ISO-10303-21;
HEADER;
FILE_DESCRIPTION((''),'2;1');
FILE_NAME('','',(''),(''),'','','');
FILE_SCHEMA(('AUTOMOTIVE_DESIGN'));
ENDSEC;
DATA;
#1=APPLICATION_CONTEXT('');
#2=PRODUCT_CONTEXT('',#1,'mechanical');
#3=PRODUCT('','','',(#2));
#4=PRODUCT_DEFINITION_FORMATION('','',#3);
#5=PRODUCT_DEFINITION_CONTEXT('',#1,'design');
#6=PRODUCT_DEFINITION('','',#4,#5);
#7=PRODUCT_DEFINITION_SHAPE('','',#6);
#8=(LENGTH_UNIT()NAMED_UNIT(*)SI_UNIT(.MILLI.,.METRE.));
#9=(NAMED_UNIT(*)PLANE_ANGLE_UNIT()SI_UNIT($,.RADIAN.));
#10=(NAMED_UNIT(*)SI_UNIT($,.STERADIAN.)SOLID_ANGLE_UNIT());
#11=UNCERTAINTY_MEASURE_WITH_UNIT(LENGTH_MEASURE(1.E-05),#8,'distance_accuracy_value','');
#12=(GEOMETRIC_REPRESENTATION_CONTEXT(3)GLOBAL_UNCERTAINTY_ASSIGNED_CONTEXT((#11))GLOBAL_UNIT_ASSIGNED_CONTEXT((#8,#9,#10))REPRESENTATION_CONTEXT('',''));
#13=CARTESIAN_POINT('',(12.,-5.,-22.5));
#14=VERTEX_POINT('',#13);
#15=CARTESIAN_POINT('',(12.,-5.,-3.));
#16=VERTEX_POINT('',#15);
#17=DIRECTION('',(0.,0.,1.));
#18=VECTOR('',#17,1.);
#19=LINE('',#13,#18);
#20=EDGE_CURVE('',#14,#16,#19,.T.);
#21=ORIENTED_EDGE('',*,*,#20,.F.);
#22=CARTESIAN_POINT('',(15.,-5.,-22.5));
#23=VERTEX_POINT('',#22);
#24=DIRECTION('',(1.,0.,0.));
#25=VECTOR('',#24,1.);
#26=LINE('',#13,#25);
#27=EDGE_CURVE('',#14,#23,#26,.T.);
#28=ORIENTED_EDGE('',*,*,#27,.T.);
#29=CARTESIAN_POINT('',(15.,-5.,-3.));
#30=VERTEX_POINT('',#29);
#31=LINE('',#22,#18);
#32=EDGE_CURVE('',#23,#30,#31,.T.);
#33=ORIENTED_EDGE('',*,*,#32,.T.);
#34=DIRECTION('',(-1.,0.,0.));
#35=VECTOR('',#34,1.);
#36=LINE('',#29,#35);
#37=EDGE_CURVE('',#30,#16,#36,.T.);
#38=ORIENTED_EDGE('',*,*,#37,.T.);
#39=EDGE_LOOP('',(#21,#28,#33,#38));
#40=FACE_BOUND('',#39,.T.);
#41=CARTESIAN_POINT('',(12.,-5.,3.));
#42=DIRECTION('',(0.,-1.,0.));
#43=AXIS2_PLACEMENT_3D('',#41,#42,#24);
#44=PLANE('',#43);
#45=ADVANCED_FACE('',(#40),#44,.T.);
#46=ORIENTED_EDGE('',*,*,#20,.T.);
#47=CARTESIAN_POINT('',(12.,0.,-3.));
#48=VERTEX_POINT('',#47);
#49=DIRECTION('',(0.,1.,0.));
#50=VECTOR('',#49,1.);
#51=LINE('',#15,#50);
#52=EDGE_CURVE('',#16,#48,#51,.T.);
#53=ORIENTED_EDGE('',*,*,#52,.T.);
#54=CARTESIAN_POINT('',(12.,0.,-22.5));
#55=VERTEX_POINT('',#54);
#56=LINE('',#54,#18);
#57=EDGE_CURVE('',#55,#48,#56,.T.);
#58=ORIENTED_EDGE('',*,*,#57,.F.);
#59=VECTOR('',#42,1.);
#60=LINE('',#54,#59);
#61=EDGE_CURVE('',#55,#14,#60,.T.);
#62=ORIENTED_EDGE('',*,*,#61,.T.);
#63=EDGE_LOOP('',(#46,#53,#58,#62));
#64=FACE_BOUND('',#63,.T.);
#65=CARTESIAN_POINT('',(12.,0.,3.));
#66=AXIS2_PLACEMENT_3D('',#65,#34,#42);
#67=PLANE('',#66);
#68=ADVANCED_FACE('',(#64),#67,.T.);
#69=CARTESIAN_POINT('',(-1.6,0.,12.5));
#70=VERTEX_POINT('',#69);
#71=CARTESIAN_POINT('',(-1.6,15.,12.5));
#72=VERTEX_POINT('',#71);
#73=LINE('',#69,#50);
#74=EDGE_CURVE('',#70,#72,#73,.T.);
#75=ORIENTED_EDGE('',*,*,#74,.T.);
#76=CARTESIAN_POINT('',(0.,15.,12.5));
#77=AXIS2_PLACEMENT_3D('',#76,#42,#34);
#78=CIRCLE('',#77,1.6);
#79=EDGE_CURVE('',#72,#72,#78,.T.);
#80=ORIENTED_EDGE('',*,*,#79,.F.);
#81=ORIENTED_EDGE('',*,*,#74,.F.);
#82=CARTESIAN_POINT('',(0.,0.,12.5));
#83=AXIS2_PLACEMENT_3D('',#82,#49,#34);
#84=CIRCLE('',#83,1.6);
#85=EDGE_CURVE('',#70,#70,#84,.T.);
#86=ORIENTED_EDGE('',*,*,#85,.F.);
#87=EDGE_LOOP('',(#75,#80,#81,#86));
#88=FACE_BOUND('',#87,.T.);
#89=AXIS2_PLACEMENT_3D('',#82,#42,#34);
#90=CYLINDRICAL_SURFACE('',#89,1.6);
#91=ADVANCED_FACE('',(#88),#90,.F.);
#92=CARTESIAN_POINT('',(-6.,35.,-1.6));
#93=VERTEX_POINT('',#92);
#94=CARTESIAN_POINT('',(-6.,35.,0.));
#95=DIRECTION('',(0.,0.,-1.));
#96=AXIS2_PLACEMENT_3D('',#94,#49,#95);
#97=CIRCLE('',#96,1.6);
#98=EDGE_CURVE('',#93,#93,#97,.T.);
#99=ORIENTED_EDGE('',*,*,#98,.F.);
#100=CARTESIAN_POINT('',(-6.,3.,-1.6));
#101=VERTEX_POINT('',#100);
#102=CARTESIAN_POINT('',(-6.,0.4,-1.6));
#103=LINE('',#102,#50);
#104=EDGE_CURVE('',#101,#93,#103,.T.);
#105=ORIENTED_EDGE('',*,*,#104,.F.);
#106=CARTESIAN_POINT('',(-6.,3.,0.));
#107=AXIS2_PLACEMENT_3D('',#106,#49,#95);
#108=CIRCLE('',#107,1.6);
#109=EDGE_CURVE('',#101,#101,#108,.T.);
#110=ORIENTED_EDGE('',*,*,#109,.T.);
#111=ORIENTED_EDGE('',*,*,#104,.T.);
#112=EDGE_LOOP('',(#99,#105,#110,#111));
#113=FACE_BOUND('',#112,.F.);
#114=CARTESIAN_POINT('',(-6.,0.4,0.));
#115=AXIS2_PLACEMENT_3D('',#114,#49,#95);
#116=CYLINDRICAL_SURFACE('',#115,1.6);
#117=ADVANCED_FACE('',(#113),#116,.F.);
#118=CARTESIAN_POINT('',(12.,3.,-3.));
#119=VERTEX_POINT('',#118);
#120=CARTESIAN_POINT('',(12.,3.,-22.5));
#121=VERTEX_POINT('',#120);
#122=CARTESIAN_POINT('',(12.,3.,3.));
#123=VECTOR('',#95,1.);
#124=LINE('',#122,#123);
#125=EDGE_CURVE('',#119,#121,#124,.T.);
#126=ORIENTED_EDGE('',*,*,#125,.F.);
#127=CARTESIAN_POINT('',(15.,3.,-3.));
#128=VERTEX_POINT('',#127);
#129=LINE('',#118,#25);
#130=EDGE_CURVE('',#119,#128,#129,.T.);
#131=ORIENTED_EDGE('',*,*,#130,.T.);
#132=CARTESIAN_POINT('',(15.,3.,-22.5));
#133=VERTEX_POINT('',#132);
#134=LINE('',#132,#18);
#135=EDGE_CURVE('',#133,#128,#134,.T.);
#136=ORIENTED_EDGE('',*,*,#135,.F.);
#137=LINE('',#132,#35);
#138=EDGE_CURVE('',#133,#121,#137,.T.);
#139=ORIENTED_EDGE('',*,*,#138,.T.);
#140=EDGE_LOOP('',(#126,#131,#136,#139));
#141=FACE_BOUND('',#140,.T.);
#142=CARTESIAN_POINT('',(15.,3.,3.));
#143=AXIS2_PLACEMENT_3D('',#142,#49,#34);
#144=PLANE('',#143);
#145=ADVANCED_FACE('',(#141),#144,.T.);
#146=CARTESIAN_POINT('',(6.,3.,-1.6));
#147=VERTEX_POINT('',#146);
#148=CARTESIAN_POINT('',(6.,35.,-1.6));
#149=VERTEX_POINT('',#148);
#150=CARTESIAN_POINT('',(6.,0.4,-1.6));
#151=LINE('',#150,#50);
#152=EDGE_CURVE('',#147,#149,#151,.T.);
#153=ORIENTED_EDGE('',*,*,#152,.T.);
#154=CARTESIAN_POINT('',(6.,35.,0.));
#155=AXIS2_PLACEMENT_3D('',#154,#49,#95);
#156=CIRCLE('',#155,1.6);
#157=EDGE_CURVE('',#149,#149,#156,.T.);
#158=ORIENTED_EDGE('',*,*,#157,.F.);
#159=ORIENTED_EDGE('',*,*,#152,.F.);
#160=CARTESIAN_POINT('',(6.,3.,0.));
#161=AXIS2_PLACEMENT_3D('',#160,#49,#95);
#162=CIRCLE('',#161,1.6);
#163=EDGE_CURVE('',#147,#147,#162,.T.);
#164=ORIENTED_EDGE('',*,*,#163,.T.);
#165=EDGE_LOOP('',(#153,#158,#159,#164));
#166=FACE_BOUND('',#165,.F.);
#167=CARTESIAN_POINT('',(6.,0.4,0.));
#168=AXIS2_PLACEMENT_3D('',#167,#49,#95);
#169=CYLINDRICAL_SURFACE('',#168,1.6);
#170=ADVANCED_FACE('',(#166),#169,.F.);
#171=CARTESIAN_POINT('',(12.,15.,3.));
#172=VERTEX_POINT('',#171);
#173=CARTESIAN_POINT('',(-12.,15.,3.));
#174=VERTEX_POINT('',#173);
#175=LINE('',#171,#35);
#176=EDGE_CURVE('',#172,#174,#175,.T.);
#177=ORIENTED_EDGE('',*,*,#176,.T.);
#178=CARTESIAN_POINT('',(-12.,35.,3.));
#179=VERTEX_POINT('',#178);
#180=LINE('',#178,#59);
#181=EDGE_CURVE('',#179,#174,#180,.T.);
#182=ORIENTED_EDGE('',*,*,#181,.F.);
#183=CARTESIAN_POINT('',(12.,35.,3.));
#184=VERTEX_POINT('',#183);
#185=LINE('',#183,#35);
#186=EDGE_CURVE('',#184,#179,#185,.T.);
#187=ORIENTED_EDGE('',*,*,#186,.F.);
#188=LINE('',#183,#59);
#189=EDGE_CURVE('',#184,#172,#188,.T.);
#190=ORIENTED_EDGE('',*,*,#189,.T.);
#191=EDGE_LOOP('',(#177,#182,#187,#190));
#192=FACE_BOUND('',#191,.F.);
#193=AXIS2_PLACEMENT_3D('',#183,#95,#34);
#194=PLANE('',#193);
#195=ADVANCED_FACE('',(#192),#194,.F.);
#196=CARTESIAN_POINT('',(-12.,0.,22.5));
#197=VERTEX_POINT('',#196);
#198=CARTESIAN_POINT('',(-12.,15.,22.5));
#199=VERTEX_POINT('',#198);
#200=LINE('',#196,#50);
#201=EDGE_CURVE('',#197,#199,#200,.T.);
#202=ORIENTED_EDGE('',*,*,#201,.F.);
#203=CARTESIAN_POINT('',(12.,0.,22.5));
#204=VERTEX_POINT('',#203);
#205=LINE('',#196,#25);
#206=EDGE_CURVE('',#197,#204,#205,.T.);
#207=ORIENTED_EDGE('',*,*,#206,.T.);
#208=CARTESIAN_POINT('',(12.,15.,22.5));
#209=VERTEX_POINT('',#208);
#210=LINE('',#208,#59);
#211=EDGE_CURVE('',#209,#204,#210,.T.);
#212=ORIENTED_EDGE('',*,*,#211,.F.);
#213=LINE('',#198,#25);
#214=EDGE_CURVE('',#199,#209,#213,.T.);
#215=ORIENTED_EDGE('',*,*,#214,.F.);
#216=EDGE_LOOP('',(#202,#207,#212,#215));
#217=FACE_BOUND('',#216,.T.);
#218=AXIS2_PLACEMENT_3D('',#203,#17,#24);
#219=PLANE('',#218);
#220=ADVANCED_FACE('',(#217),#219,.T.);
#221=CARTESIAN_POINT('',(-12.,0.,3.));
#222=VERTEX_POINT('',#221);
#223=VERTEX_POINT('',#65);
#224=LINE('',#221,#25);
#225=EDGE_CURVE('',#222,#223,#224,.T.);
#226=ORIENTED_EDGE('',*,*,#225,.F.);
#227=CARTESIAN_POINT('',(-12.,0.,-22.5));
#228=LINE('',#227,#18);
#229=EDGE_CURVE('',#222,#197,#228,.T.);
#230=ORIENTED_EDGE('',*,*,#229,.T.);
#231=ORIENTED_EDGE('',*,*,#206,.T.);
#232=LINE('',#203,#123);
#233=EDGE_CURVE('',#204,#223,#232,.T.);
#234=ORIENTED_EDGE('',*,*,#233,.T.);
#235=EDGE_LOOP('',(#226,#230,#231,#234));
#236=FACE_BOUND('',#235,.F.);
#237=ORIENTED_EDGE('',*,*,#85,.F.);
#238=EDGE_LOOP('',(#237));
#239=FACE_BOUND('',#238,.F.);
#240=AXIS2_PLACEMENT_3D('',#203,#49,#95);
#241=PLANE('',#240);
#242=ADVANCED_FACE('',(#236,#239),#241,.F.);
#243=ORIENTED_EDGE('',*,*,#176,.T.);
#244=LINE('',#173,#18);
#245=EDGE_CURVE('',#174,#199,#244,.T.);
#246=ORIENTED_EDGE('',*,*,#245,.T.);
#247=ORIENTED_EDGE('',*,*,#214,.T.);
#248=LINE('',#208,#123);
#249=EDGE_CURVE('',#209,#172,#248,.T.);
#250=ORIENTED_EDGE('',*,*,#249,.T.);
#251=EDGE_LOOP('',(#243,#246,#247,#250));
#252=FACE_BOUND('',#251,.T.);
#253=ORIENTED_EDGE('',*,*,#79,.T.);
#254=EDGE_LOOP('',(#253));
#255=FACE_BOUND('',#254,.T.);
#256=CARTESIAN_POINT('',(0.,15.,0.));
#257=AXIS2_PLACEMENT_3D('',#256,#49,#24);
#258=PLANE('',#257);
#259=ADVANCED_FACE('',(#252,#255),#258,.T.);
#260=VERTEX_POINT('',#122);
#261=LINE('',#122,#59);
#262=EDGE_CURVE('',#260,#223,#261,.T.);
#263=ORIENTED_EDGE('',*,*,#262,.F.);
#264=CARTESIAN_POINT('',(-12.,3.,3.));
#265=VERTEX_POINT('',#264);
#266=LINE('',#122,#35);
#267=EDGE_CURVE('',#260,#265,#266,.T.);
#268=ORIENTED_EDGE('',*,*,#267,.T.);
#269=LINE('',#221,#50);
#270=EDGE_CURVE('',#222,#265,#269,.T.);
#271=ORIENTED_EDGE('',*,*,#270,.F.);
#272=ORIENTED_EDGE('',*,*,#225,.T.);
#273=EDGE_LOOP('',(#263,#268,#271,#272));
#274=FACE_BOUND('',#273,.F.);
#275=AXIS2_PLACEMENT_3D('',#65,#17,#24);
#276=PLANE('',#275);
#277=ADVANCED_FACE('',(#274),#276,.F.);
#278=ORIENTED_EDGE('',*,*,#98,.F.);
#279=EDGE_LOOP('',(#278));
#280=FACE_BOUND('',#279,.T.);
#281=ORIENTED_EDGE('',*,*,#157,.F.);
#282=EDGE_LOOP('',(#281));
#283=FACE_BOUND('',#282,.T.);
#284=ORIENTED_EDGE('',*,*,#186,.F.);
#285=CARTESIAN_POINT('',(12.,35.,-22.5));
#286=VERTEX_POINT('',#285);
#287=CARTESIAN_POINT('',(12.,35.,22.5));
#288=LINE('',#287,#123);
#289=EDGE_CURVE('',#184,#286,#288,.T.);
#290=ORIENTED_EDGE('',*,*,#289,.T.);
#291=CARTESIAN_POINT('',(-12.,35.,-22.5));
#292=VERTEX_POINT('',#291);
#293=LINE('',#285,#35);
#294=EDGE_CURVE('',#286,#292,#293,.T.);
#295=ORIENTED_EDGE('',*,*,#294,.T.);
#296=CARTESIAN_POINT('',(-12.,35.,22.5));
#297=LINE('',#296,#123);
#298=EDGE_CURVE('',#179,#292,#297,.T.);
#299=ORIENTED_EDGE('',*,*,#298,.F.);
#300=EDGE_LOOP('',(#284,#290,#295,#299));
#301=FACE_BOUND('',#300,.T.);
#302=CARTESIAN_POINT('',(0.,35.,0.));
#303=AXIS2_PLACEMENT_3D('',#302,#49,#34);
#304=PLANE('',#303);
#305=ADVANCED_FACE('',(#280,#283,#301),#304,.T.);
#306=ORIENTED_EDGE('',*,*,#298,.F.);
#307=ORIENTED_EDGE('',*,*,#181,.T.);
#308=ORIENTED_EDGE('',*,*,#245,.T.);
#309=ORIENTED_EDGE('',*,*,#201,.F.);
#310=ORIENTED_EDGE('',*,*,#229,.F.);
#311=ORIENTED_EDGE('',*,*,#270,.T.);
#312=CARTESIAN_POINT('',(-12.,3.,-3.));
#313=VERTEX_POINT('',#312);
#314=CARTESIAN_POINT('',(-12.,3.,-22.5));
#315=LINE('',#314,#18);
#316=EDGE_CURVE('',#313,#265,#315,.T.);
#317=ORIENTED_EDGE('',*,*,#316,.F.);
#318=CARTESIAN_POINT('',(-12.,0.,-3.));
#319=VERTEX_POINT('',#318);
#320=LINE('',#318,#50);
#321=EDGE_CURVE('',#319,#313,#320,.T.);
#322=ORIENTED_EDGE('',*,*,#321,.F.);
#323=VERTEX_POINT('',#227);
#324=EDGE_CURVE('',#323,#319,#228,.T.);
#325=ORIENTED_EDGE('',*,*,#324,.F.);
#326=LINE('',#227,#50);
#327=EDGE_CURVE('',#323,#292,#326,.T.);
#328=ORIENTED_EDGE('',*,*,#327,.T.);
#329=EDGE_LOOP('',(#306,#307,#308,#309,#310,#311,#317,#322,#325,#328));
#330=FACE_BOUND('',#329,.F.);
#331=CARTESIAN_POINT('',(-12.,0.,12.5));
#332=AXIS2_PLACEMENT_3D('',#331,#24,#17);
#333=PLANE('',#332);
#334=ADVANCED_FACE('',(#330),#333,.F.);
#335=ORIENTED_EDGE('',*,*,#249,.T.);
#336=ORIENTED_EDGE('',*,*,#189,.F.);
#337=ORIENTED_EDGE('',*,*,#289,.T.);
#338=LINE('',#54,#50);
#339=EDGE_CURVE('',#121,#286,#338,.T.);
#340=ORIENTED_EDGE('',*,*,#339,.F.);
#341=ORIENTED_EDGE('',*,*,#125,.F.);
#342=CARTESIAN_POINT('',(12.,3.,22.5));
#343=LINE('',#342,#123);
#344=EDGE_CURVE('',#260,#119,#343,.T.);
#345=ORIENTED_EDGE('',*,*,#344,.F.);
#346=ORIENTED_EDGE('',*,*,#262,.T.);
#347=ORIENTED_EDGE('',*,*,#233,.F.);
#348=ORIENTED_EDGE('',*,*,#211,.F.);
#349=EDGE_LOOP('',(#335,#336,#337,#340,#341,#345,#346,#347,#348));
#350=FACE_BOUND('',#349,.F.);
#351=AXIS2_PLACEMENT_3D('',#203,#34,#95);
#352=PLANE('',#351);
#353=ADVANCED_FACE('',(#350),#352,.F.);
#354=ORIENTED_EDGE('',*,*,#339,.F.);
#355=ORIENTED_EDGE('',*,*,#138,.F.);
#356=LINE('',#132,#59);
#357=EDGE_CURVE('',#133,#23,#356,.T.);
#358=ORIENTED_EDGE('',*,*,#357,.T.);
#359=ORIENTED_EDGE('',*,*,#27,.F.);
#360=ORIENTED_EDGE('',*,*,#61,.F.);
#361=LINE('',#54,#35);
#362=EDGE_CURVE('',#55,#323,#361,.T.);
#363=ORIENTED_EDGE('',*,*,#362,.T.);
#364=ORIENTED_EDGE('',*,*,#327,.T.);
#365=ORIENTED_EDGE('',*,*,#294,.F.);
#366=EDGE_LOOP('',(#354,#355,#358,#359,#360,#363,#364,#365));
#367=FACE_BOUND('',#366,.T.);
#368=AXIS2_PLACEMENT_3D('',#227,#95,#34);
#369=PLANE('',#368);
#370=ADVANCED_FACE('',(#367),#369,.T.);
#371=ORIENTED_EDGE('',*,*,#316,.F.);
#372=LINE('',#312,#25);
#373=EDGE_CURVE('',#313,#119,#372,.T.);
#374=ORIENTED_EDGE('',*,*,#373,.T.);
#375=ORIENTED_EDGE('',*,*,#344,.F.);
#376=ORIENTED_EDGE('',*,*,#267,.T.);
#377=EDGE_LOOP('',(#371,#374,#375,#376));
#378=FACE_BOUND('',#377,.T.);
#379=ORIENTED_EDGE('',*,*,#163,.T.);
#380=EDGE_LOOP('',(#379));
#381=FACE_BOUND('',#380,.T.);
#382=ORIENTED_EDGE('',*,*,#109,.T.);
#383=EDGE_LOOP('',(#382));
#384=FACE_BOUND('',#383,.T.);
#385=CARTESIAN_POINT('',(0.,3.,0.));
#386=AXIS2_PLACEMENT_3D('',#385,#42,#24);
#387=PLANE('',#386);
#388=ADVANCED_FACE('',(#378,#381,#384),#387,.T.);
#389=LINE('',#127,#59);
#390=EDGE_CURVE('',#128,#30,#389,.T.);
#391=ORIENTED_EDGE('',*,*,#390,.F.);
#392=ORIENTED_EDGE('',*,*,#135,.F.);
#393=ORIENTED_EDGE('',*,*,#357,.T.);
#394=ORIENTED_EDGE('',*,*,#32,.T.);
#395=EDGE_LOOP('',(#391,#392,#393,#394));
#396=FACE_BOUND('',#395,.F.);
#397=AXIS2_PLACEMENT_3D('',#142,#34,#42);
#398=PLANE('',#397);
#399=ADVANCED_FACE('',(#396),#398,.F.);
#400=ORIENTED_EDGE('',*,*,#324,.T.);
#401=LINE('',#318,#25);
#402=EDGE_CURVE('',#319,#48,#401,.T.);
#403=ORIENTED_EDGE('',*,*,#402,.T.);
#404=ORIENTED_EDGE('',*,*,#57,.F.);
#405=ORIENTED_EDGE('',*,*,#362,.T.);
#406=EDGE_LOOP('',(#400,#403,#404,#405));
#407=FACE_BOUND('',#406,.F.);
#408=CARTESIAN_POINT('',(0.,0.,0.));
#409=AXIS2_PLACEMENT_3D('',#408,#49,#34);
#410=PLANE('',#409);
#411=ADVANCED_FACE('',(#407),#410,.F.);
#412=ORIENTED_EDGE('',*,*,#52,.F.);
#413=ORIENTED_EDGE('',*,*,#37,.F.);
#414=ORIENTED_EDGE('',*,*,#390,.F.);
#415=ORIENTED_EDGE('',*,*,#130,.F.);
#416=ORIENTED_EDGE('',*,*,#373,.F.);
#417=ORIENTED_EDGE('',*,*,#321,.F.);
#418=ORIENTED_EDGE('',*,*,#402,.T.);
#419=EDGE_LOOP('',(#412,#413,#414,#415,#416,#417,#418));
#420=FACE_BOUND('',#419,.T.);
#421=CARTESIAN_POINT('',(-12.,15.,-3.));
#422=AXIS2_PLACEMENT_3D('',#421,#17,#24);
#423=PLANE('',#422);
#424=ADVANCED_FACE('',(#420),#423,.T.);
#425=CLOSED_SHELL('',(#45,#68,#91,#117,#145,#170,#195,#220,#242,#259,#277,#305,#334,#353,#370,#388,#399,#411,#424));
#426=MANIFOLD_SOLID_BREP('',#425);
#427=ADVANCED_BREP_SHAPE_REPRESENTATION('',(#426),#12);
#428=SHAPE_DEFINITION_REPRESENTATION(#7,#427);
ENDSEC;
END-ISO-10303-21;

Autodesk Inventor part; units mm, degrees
ref_plane "YZ Plane" through (0, 0, 0) normal (1, 0, 0) x (0, 1, 0)
ref_plane "XZ Plane" through (0, 0, 0) normal (0, 1, 0) x (-1, 0, 0)
ref_plane "XY Plane" through (0, 0, 0) normal (0, 0, 1) x (1, 0, 0)
sketch "Sketch2" plane through (0, 0, 0) normal (0, 1, 0) x (-1, 0, 0)
  line L0 (12, 22.5) -> (-12, 22.5)
  line L1 (-12, 22.5) -> (-12, -22.5)
  line L2 (-12, -22.5) -> (12, -22.5)
  line L3 (12, -22.5) -> (12, 22.5)
  line L4 (12, 22.5) -> (12, 12.5)
  line L5 (12, 12.5) -> (0, 12.5)
  circle A0 centre (0, 12.5) radius 1.6
  line L6 (0, 12.5) -> (0, 0)
  line L7 (0, 0) -> (-6, 0)
  line L8 (-6, 0) -> (6, 0)
  circle A1 centre (-6, 0) radius 1.6
  circle A2 centre (6, 0) radius 1.6
  line L9 (-12, 22.5) -> (12, 22.5)
  line L10 (12, 22.5) -> (12, 0)
  line L11 (12, 0) -> (-12, 0)
  line L12 (-12, 0) -> (-12, 22.5)
  line L13 (-12, 22.5) -> (12, 22.5)
  line L14 (12, 22.5) -> (12, 2.2056)
  line L15 (12, 2.2056) -> (-12, 2.2056)
  line L16 (-12, 2.2056) -> (-12, 22.5)
  dimension "d0" = 24
  dimension "d1" = 45
  dimension "d2" = 10
  dimension "d3" = 3.2
  dimension "d6" = 6
  dimension "d7" = 3.2
  dimension "d8" = 3.2
extrude "Extrusion1" add sketch "Sketch2" along normal blind 35 contours L3 L5 A0 L6 L15 L1 L0 | L3 L15 L6 A0 L5 | L15 L6 L7 A1 L11 L1 | L3 L11 A2 L8 L6 L15 | L11 A1 L7 L8 A2 L3 L2 L1 | L11 L7 A1 | A1 L7 L11 | L11 L8 A2 | A2 L8 L11
sketch "Sketch3" plane through (0, 0, 0) normal (0, -1, 0) x (1, 0, 0)
  line L0 (12, 22.5) -> (12, -22.5) projected
  line L1 (-12, -22.5) -> (-12, 22.5) projected
  line L2 (12, 3) -> (-12, 3)
  line L3 (-12, 3) -> (-12, -3)
  line L4 (-12, -3) -> (12, -3)
  line L5 (12, -3) -> (12, 3)
  point P0 (0, 0)
  dimension "d9" = 6
extrude "Extrusion2" cut sketch "Sketch3" against normal blind 3
hole "Hole1" at (-6, 0, 0) at (6, 0, 0) direction (0, 1, 0) diameter 3.2 depth 44.75 countersink diameter 4 countersink angle 90
sketch "Sketch4" plane through (0, 35, 0) normal (0, 1, 0) x (1, 0, 0)
  line L0 (12, -3) -> (12, 3) projected
  line L1 (-12, -22.5) -> (12, -22.5)
  line L2 (12, -22.5) -> (12, -3)
  line L3 (12, -3) -> (-12, -3)
  line L4 (-12, -3) -> (-12, -22.5)
  point P0 (0, 0)
extrude "Extrusion3" cut sketch "Sketch4" against normal blind 20
sketch "Sketch5" plane through (12, 0, -22.5) normal (1, 0, 0) x (0, 0, -1)
  line L0 (-45, 0) -> (-25.5, 0) projected
  line L1 (-45, 0) -> (-45, 15) projected
  line L2 (-25.5, 0) -> (-45, 0)
  line L3 (-45, 0) -> (-45, 3)
  line L4 (-45, 3) -> (-25.5, 3)
  line L5 (-25.5, 3) -> (-25.5, 0)
  point P0 (-22.5, 0)
  dimension "d21" = 3
extrude "Extrusion4" add sketch "Sketch5" along normal blind 3
sketch "Sketch6" plane through (0, 0, 0) normal (0, -1, 0) x (1, 0, 0)
  line L0 (-12, 3) -> (15, 3) projected
  line L1 (12, 22.5) -> (12, 3) projected
  line L2 (15, 3) -> (12, 3)
  line L3 (12, 3) -> (12, 22.5)
  line L4 (12, 22.5) -> (15, 22.5)
  line L5 (15, 22.5) -> (15, 3)
  point P0 (0, 0)
extrude "Extrusion5" add sketch "Sketch6" along normal blind 5
sketch "Sketch7" plane through (-12, 0, 3) normal (0, 0, -1) x (-1, 0, 0)
  line L0 (-24, 0) -> (-24, -5) projected
  line L1 (-27, 3) -> (-27, -5) projected
  line L2 (-24, -5) -> (-27, -5)
  line L3 (-27, -5) -> (-27, 3)
  line L4 (-27, 3) -> (-24, 3)
  line L5 (-24, 3) -> (-24, -5)
  point P0 (-12, 0)
extrude "Extrusion6" add sketch "Sketch7" along normal blind 25.5
sketch "Sketch8" plane through (-12, 15, 22.5) normal (0, 0, 1) x (1, 0, 0)
  line L0 (27, -12) -> (27, -20) projected
  line L1 (24, -12) -> (24, -15) projected
  line L2 (27, -20) -> (24, -20)
  line L3 (24, -20) -> (24, -12)
  line L4 (24, -12) -> (27, -12)
  line L5 (27, -12) -> (27, -20)
  point P0 (12, -15)
extrude "Extrusion7" cut sketch "Sketch8" against normal blind 25.5
properties part number "spoutstandsupport"
